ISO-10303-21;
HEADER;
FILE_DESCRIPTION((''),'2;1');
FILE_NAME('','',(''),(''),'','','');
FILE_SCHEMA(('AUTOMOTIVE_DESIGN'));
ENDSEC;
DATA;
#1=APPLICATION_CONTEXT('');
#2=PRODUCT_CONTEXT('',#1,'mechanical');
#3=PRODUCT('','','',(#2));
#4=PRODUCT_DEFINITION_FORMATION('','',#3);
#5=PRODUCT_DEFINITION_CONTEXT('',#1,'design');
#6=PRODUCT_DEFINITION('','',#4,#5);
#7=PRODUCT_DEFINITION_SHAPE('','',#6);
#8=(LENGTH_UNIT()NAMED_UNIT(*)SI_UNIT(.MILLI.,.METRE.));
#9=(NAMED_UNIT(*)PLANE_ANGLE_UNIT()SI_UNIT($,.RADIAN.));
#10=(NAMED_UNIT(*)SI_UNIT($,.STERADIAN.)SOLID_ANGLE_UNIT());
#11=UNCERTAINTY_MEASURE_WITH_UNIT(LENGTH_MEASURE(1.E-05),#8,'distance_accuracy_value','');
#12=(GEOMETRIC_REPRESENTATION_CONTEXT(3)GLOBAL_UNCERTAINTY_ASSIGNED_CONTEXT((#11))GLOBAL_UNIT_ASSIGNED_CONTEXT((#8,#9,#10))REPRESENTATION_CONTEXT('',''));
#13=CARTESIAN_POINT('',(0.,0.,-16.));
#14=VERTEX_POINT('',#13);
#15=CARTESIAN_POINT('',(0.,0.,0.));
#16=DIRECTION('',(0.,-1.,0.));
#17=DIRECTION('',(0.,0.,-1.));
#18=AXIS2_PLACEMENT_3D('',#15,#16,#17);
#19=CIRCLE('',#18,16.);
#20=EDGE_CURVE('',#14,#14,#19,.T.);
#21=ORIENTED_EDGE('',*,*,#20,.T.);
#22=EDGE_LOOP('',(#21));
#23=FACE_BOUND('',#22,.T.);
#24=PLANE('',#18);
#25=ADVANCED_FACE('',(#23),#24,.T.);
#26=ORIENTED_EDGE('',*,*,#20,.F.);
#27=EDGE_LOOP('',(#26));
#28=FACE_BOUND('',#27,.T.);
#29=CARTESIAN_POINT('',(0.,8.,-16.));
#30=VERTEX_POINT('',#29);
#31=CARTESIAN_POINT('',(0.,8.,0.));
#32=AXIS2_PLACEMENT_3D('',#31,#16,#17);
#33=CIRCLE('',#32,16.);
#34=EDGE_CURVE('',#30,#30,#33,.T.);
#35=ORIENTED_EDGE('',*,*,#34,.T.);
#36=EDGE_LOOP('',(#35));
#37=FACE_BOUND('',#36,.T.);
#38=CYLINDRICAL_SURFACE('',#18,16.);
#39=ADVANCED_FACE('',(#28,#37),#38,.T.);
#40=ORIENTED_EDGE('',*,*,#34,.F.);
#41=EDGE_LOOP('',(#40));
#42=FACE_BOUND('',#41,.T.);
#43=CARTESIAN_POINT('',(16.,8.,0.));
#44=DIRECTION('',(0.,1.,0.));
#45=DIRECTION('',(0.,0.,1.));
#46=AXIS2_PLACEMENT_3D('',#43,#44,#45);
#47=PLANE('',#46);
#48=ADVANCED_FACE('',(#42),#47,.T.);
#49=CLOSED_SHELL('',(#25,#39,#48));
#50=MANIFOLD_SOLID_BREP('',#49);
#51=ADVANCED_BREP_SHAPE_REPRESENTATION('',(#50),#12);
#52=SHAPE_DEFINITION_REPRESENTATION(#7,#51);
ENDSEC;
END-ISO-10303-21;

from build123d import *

# Parameters (mm, degrees)
SKETCH_1_W = 16
SKETCH_1_H = 8


with BuildPart() as part:
    # 草图1 → Revolve 2 (revolve)
    with BuildSketch(Plane.XY, mode=Mode.PRIVATE) as revolve_2_sk:
        with Locations((8, 4)):
            Rectangle(SKETCH_1_W, SKETCH_1_H)
    revolve(revolve_2_sk.sketch.rotate(Axis((0, 0, 0), (0, 1, 0)), 90), axis=Axis((0, 0, 0), (0, 1, 0)))


solid = part.part
